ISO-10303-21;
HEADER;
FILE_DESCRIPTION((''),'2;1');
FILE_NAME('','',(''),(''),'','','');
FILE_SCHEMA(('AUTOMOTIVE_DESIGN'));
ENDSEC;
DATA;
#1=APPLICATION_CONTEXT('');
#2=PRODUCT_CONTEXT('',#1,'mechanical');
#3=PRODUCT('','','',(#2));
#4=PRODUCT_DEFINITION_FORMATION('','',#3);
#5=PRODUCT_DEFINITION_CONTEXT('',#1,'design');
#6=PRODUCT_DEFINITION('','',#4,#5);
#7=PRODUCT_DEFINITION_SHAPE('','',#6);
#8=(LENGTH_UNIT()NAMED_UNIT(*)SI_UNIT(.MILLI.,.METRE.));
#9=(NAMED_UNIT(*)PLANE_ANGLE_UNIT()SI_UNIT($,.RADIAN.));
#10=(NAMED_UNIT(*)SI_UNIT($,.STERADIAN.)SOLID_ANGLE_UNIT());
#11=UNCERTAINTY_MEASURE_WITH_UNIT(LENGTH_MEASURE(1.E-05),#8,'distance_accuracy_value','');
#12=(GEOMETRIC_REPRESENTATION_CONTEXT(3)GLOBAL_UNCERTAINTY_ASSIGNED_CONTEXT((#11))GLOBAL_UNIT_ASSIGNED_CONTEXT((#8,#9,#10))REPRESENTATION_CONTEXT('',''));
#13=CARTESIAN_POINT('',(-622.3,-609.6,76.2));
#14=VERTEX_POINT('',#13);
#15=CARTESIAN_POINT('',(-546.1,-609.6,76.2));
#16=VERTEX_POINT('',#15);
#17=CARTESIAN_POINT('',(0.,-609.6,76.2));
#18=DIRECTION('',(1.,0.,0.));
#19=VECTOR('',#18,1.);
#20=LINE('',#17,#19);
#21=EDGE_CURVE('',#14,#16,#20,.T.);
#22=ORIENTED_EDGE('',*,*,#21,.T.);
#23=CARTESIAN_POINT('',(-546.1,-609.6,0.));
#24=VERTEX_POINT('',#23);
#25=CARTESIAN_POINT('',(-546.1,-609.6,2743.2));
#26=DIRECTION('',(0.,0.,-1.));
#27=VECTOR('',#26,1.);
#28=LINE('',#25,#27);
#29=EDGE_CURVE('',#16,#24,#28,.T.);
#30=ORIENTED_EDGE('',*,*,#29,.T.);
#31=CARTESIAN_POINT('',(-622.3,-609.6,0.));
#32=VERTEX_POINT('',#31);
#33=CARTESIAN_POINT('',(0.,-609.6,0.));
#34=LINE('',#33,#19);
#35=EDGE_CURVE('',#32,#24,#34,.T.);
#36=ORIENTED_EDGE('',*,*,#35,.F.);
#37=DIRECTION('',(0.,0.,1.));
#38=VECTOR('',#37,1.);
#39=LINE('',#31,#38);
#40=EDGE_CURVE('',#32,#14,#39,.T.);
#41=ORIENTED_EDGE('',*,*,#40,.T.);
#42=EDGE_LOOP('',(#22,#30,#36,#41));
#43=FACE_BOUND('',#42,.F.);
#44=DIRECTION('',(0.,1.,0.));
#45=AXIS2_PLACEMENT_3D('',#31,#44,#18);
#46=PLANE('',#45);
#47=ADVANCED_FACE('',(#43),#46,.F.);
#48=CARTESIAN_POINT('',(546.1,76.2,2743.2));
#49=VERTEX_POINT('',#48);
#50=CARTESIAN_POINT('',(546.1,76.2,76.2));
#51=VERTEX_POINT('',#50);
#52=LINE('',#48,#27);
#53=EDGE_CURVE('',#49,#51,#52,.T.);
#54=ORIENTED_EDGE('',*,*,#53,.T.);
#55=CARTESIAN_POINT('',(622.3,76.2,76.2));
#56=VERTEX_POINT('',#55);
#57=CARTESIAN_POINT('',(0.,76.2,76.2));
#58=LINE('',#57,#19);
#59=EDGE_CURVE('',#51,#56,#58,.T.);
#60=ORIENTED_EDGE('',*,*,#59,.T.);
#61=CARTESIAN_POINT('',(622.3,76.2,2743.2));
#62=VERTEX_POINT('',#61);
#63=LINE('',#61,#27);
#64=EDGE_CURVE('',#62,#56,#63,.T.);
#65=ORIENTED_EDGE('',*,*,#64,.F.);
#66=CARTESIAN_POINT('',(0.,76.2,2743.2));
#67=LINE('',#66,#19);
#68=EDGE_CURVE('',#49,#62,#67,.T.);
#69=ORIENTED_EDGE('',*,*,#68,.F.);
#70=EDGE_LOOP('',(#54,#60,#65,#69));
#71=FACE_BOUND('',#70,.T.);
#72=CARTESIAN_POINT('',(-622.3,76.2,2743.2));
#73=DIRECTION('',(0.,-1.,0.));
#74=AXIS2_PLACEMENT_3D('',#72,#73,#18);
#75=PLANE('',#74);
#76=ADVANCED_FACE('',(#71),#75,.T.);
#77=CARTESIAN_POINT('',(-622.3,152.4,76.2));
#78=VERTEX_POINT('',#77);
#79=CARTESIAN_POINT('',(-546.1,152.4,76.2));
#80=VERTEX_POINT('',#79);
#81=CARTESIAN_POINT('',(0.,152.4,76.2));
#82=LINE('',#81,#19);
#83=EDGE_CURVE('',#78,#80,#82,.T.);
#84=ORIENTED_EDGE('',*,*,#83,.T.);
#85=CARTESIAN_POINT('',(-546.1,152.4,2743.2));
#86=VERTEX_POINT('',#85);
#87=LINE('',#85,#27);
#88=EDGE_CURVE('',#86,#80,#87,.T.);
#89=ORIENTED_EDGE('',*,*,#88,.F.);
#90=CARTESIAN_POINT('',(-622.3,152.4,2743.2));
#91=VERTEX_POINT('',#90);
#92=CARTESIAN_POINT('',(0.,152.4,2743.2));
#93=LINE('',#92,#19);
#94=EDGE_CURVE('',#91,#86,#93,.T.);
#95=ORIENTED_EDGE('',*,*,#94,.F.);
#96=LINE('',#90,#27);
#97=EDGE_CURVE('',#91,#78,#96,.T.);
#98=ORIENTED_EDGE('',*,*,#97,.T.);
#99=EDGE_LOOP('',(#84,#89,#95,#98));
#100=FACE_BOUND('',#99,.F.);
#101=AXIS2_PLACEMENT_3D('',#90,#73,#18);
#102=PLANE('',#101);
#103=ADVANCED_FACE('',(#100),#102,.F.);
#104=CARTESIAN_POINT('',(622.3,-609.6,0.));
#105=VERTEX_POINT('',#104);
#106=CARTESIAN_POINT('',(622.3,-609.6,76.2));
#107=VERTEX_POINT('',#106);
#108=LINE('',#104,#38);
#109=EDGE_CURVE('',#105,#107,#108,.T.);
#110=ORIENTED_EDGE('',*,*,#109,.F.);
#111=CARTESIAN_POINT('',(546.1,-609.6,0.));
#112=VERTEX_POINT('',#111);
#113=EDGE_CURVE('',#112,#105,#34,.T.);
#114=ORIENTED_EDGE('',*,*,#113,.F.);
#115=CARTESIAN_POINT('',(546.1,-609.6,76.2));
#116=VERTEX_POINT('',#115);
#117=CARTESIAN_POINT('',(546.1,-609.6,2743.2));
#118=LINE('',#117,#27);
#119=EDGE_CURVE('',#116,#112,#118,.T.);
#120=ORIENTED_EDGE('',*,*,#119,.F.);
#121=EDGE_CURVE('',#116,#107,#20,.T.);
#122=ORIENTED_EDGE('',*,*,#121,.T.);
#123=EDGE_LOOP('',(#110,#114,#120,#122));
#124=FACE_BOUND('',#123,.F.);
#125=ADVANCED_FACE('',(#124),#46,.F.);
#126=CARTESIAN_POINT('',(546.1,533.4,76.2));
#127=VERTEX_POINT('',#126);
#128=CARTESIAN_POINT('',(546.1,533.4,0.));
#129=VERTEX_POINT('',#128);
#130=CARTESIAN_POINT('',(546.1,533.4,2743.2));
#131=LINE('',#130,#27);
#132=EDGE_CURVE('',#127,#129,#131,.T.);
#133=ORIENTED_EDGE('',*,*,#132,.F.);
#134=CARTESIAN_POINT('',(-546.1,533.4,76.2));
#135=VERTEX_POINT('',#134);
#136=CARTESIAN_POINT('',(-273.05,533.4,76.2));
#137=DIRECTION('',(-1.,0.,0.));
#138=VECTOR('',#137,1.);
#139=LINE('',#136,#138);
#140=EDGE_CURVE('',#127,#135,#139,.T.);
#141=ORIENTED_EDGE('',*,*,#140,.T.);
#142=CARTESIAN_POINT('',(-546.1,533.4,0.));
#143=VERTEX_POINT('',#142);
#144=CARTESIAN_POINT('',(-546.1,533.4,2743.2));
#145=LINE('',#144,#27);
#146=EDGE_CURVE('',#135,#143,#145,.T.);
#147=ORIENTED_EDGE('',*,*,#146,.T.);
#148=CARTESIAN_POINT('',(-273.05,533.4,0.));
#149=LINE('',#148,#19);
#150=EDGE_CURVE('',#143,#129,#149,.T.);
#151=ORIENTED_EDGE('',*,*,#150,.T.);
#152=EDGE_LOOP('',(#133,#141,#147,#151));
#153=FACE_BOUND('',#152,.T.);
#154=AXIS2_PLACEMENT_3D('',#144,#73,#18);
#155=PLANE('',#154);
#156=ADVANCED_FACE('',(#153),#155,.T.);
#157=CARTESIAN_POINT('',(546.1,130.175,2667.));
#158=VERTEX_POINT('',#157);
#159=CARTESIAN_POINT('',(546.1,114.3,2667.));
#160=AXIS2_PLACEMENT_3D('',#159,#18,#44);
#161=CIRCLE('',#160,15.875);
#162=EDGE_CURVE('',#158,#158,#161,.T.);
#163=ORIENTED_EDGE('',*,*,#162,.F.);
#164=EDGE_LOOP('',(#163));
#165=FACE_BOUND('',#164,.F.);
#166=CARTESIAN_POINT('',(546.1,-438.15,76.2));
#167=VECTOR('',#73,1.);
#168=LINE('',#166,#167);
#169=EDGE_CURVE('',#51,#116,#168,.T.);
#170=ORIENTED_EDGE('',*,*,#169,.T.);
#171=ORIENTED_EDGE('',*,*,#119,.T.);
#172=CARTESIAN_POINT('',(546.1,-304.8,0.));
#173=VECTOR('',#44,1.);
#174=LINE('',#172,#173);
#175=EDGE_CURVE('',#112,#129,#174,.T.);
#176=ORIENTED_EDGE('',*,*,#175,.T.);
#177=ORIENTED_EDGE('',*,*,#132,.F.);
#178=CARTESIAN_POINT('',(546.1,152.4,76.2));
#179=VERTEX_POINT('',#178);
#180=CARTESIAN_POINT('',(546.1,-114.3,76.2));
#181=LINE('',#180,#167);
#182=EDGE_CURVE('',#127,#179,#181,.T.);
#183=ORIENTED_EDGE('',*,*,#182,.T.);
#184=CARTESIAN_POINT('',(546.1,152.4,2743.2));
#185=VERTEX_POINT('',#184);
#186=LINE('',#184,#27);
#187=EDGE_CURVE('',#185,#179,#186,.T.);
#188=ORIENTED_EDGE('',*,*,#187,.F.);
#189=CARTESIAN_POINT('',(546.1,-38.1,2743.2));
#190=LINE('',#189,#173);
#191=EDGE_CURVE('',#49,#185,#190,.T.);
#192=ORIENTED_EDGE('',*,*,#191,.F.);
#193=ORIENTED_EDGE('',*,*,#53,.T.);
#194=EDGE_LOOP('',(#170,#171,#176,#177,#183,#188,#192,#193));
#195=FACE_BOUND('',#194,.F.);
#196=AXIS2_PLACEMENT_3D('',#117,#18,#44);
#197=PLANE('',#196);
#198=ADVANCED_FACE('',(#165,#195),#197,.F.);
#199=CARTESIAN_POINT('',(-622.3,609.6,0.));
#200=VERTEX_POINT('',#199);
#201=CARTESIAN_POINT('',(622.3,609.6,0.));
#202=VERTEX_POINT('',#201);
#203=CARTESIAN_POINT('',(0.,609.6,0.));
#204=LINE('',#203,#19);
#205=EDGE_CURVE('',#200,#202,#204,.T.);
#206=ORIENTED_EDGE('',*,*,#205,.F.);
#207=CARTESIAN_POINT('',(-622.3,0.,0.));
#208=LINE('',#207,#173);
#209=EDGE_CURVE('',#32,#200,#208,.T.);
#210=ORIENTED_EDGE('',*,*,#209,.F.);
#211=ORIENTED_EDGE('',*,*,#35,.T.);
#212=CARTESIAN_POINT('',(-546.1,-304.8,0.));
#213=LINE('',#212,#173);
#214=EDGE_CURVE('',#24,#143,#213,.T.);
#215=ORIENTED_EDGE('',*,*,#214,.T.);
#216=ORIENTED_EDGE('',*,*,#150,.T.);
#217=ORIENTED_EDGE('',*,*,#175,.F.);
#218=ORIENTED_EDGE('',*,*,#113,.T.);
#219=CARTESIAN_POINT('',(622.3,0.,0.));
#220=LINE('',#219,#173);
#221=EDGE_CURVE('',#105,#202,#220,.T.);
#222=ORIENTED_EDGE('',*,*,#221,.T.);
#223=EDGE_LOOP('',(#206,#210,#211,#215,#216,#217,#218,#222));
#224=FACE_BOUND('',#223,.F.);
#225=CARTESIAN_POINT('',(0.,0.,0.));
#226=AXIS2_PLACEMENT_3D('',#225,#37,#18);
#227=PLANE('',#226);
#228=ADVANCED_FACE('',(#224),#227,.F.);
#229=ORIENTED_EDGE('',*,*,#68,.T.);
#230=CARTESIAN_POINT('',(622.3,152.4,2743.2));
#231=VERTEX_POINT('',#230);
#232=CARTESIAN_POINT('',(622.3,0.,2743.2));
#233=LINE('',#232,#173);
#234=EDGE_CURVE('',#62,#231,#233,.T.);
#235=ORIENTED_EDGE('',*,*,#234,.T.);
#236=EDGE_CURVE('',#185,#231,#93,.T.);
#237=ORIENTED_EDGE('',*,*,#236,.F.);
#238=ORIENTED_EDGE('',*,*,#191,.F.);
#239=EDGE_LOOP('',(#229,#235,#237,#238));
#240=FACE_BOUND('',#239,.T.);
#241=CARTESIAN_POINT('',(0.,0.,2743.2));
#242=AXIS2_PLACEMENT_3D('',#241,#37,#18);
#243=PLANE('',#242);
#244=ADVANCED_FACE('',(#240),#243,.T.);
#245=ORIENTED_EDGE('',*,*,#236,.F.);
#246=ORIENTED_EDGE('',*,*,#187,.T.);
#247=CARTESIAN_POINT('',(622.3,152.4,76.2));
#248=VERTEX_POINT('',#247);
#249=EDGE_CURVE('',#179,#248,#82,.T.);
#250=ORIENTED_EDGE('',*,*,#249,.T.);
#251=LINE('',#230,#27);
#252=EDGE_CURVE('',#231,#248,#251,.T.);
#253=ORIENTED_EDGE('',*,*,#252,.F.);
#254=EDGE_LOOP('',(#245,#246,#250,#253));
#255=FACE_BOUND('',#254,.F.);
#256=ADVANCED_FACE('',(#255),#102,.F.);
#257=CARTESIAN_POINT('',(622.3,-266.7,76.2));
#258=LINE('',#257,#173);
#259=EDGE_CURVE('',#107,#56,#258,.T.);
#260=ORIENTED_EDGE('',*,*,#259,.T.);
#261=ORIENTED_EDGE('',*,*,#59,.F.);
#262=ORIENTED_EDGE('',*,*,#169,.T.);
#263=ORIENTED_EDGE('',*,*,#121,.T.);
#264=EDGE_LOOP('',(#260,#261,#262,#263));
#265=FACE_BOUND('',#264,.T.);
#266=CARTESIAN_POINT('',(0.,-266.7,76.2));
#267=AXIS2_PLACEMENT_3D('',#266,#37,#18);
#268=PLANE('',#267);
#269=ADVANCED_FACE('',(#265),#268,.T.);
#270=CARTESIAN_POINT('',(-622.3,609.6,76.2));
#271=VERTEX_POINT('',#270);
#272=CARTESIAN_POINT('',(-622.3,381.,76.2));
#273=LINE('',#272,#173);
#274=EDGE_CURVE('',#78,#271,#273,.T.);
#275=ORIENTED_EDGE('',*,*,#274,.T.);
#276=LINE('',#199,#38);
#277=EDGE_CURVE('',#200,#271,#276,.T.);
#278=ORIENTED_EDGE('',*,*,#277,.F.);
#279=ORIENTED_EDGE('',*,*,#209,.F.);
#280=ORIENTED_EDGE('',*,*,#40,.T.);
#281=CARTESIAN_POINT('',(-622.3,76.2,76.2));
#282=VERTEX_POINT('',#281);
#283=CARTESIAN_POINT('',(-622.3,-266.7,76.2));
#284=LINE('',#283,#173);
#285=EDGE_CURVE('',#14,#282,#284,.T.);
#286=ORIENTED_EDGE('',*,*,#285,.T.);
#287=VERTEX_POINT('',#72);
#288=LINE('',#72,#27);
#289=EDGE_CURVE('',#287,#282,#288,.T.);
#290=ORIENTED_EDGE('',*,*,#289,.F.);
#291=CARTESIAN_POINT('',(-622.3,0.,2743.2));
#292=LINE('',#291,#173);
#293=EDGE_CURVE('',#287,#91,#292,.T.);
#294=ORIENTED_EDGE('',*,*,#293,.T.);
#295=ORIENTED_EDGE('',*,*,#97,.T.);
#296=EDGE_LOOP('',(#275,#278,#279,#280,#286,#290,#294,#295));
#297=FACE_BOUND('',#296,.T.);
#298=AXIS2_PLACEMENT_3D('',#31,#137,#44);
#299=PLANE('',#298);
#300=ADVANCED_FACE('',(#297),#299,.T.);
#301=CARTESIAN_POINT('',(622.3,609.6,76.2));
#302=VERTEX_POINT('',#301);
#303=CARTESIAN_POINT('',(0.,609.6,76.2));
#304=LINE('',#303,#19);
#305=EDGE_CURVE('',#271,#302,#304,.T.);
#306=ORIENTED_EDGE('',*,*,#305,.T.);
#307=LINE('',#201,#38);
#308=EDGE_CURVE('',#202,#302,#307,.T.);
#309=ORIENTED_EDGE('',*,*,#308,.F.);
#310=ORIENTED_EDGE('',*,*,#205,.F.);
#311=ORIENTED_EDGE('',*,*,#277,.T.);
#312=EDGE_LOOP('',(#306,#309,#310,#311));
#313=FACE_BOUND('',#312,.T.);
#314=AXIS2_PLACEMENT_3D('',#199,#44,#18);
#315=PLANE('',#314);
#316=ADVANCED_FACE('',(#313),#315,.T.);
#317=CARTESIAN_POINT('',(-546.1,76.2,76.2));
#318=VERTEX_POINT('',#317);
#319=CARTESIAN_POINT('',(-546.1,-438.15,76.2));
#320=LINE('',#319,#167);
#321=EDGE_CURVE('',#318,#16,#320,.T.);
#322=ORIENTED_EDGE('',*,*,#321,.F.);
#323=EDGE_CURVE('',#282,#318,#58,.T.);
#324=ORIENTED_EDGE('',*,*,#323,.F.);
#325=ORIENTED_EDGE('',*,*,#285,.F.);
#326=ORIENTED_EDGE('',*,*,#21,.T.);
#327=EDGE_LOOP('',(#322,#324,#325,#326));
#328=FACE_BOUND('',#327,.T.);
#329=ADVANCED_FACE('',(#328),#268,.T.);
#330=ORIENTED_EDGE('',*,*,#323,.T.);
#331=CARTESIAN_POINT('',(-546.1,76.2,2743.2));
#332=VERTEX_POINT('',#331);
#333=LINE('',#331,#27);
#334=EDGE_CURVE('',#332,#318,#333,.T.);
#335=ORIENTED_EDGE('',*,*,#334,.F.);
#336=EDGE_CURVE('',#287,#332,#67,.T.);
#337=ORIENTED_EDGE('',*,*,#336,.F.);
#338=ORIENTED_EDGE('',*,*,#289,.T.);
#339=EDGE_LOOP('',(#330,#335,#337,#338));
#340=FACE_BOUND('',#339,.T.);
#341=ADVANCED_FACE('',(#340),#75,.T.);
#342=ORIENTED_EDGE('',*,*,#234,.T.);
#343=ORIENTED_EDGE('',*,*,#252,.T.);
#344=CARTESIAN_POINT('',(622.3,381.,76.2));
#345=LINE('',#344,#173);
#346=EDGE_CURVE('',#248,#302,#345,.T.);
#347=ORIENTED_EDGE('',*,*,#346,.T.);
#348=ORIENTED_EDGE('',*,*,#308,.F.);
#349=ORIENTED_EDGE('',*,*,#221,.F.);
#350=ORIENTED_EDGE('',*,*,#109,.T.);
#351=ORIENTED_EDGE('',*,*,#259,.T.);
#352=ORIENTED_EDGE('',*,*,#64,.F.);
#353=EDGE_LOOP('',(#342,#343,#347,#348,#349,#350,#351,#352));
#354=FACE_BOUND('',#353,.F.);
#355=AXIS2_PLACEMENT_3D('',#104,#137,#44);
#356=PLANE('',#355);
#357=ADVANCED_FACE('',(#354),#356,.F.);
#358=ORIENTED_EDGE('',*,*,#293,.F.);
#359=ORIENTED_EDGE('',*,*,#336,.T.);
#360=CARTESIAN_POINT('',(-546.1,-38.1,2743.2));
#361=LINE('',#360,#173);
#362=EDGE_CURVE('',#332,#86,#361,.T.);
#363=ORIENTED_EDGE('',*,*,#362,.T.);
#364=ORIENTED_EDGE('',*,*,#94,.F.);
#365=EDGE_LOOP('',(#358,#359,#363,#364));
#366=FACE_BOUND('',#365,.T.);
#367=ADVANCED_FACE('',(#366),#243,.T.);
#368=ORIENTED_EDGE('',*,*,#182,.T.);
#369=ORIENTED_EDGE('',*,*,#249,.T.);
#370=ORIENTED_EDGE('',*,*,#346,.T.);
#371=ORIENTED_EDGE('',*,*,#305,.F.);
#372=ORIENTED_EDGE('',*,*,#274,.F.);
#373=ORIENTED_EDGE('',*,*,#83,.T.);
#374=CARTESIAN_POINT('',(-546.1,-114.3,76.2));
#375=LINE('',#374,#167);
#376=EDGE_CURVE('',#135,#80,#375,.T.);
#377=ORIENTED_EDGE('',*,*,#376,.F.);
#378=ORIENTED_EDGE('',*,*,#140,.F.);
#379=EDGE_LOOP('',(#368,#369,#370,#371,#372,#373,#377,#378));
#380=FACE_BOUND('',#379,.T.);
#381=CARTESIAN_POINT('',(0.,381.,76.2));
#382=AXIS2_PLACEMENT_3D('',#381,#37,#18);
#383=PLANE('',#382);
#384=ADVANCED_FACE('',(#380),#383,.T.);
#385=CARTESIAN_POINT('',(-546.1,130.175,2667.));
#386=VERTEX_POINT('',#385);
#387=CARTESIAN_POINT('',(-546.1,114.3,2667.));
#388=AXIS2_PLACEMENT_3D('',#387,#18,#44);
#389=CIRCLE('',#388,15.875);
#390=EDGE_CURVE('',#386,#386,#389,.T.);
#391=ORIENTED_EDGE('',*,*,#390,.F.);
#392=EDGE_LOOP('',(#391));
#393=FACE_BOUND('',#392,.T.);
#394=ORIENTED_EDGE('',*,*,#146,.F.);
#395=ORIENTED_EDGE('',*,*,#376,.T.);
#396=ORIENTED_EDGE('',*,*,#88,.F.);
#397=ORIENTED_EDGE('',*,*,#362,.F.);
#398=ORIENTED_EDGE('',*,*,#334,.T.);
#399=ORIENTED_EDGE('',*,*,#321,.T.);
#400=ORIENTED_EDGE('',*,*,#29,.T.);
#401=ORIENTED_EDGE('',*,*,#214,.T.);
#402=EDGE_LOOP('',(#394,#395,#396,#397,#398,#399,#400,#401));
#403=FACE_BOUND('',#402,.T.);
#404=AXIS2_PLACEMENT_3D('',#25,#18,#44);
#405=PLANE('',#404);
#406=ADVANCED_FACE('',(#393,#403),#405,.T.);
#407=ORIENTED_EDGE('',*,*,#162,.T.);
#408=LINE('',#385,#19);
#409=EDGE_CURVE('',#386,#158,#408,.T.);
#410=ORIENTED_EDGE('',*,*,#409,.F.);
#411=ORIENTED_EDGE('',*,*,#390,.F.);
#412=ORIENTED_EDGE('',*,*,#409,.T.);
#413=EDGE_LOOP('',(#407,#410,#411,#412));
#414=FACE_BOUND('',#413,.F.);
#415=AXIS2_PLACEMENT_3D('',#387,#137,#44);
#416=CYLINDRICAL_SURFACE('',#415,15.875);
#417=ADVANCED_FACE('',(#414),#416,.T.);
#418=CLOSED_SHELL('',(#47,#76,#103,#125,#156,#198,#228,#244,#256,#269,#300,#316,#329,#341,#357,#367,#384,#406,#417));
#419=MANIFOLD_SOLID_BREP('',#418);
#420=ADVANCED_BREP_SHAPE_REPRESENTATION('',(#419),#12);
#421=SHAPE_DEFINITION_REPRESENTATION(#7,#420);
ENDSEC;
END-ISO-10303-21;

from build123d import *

# Parameters (mm, degrees)
F0_W     = 1244.6
F0_H     = 1219.2
F1_DEPTH = 2743.2
F2_W     = 1092.2
F2_H     = 1143
F3_DEPTH = 2743.201
F4_W     = 1244.6
F4_H     = 457.2
F4_H_2   = 685.8
F5_DEPTH = 2667
F6_R     = 15.875
F7_DEPTH = 1092.2


with BuildPart() as f1:
    # F0 (on Top) → F1 (new body)
    with BuildSketch(Plane.XY):
        Rectangle(F0_W, F0_H)
    extrude(amount=F1_DEPTH)

    # F2 (on face) → F3 (cut, through all)
    with BuildSketch(Plane.XY.offset(2743.2)):
        with Locations((0, -38.1)):
            Rectangle(F2_W, F2_H)
    extrude(amount=-F3_DEPTH, mode=Mode.SUBTRACT)

    # F4 (on face) → F5 (cut)
    with BuildSketch(Plane.XY.offset(2743.2)):
        with Locations((0, 381)):
            Rectangle(F4_W, F4_H)
        with Locations((0, -266.7)):
            Rectangle(F4_W, F4_H_2)
    extrude(amount=-F5_DEPTH, mode=Mode.SUBTRACT)

    # F6 (on face) → F7 (join, through all)
    with BuildSketch(Plane.YZ.offset(-546.1)):
        with Locations((114.3, 2667)):
            Circle(F6_R)
    extrude(amount=F7_DEPTH)


solid = f1.part
